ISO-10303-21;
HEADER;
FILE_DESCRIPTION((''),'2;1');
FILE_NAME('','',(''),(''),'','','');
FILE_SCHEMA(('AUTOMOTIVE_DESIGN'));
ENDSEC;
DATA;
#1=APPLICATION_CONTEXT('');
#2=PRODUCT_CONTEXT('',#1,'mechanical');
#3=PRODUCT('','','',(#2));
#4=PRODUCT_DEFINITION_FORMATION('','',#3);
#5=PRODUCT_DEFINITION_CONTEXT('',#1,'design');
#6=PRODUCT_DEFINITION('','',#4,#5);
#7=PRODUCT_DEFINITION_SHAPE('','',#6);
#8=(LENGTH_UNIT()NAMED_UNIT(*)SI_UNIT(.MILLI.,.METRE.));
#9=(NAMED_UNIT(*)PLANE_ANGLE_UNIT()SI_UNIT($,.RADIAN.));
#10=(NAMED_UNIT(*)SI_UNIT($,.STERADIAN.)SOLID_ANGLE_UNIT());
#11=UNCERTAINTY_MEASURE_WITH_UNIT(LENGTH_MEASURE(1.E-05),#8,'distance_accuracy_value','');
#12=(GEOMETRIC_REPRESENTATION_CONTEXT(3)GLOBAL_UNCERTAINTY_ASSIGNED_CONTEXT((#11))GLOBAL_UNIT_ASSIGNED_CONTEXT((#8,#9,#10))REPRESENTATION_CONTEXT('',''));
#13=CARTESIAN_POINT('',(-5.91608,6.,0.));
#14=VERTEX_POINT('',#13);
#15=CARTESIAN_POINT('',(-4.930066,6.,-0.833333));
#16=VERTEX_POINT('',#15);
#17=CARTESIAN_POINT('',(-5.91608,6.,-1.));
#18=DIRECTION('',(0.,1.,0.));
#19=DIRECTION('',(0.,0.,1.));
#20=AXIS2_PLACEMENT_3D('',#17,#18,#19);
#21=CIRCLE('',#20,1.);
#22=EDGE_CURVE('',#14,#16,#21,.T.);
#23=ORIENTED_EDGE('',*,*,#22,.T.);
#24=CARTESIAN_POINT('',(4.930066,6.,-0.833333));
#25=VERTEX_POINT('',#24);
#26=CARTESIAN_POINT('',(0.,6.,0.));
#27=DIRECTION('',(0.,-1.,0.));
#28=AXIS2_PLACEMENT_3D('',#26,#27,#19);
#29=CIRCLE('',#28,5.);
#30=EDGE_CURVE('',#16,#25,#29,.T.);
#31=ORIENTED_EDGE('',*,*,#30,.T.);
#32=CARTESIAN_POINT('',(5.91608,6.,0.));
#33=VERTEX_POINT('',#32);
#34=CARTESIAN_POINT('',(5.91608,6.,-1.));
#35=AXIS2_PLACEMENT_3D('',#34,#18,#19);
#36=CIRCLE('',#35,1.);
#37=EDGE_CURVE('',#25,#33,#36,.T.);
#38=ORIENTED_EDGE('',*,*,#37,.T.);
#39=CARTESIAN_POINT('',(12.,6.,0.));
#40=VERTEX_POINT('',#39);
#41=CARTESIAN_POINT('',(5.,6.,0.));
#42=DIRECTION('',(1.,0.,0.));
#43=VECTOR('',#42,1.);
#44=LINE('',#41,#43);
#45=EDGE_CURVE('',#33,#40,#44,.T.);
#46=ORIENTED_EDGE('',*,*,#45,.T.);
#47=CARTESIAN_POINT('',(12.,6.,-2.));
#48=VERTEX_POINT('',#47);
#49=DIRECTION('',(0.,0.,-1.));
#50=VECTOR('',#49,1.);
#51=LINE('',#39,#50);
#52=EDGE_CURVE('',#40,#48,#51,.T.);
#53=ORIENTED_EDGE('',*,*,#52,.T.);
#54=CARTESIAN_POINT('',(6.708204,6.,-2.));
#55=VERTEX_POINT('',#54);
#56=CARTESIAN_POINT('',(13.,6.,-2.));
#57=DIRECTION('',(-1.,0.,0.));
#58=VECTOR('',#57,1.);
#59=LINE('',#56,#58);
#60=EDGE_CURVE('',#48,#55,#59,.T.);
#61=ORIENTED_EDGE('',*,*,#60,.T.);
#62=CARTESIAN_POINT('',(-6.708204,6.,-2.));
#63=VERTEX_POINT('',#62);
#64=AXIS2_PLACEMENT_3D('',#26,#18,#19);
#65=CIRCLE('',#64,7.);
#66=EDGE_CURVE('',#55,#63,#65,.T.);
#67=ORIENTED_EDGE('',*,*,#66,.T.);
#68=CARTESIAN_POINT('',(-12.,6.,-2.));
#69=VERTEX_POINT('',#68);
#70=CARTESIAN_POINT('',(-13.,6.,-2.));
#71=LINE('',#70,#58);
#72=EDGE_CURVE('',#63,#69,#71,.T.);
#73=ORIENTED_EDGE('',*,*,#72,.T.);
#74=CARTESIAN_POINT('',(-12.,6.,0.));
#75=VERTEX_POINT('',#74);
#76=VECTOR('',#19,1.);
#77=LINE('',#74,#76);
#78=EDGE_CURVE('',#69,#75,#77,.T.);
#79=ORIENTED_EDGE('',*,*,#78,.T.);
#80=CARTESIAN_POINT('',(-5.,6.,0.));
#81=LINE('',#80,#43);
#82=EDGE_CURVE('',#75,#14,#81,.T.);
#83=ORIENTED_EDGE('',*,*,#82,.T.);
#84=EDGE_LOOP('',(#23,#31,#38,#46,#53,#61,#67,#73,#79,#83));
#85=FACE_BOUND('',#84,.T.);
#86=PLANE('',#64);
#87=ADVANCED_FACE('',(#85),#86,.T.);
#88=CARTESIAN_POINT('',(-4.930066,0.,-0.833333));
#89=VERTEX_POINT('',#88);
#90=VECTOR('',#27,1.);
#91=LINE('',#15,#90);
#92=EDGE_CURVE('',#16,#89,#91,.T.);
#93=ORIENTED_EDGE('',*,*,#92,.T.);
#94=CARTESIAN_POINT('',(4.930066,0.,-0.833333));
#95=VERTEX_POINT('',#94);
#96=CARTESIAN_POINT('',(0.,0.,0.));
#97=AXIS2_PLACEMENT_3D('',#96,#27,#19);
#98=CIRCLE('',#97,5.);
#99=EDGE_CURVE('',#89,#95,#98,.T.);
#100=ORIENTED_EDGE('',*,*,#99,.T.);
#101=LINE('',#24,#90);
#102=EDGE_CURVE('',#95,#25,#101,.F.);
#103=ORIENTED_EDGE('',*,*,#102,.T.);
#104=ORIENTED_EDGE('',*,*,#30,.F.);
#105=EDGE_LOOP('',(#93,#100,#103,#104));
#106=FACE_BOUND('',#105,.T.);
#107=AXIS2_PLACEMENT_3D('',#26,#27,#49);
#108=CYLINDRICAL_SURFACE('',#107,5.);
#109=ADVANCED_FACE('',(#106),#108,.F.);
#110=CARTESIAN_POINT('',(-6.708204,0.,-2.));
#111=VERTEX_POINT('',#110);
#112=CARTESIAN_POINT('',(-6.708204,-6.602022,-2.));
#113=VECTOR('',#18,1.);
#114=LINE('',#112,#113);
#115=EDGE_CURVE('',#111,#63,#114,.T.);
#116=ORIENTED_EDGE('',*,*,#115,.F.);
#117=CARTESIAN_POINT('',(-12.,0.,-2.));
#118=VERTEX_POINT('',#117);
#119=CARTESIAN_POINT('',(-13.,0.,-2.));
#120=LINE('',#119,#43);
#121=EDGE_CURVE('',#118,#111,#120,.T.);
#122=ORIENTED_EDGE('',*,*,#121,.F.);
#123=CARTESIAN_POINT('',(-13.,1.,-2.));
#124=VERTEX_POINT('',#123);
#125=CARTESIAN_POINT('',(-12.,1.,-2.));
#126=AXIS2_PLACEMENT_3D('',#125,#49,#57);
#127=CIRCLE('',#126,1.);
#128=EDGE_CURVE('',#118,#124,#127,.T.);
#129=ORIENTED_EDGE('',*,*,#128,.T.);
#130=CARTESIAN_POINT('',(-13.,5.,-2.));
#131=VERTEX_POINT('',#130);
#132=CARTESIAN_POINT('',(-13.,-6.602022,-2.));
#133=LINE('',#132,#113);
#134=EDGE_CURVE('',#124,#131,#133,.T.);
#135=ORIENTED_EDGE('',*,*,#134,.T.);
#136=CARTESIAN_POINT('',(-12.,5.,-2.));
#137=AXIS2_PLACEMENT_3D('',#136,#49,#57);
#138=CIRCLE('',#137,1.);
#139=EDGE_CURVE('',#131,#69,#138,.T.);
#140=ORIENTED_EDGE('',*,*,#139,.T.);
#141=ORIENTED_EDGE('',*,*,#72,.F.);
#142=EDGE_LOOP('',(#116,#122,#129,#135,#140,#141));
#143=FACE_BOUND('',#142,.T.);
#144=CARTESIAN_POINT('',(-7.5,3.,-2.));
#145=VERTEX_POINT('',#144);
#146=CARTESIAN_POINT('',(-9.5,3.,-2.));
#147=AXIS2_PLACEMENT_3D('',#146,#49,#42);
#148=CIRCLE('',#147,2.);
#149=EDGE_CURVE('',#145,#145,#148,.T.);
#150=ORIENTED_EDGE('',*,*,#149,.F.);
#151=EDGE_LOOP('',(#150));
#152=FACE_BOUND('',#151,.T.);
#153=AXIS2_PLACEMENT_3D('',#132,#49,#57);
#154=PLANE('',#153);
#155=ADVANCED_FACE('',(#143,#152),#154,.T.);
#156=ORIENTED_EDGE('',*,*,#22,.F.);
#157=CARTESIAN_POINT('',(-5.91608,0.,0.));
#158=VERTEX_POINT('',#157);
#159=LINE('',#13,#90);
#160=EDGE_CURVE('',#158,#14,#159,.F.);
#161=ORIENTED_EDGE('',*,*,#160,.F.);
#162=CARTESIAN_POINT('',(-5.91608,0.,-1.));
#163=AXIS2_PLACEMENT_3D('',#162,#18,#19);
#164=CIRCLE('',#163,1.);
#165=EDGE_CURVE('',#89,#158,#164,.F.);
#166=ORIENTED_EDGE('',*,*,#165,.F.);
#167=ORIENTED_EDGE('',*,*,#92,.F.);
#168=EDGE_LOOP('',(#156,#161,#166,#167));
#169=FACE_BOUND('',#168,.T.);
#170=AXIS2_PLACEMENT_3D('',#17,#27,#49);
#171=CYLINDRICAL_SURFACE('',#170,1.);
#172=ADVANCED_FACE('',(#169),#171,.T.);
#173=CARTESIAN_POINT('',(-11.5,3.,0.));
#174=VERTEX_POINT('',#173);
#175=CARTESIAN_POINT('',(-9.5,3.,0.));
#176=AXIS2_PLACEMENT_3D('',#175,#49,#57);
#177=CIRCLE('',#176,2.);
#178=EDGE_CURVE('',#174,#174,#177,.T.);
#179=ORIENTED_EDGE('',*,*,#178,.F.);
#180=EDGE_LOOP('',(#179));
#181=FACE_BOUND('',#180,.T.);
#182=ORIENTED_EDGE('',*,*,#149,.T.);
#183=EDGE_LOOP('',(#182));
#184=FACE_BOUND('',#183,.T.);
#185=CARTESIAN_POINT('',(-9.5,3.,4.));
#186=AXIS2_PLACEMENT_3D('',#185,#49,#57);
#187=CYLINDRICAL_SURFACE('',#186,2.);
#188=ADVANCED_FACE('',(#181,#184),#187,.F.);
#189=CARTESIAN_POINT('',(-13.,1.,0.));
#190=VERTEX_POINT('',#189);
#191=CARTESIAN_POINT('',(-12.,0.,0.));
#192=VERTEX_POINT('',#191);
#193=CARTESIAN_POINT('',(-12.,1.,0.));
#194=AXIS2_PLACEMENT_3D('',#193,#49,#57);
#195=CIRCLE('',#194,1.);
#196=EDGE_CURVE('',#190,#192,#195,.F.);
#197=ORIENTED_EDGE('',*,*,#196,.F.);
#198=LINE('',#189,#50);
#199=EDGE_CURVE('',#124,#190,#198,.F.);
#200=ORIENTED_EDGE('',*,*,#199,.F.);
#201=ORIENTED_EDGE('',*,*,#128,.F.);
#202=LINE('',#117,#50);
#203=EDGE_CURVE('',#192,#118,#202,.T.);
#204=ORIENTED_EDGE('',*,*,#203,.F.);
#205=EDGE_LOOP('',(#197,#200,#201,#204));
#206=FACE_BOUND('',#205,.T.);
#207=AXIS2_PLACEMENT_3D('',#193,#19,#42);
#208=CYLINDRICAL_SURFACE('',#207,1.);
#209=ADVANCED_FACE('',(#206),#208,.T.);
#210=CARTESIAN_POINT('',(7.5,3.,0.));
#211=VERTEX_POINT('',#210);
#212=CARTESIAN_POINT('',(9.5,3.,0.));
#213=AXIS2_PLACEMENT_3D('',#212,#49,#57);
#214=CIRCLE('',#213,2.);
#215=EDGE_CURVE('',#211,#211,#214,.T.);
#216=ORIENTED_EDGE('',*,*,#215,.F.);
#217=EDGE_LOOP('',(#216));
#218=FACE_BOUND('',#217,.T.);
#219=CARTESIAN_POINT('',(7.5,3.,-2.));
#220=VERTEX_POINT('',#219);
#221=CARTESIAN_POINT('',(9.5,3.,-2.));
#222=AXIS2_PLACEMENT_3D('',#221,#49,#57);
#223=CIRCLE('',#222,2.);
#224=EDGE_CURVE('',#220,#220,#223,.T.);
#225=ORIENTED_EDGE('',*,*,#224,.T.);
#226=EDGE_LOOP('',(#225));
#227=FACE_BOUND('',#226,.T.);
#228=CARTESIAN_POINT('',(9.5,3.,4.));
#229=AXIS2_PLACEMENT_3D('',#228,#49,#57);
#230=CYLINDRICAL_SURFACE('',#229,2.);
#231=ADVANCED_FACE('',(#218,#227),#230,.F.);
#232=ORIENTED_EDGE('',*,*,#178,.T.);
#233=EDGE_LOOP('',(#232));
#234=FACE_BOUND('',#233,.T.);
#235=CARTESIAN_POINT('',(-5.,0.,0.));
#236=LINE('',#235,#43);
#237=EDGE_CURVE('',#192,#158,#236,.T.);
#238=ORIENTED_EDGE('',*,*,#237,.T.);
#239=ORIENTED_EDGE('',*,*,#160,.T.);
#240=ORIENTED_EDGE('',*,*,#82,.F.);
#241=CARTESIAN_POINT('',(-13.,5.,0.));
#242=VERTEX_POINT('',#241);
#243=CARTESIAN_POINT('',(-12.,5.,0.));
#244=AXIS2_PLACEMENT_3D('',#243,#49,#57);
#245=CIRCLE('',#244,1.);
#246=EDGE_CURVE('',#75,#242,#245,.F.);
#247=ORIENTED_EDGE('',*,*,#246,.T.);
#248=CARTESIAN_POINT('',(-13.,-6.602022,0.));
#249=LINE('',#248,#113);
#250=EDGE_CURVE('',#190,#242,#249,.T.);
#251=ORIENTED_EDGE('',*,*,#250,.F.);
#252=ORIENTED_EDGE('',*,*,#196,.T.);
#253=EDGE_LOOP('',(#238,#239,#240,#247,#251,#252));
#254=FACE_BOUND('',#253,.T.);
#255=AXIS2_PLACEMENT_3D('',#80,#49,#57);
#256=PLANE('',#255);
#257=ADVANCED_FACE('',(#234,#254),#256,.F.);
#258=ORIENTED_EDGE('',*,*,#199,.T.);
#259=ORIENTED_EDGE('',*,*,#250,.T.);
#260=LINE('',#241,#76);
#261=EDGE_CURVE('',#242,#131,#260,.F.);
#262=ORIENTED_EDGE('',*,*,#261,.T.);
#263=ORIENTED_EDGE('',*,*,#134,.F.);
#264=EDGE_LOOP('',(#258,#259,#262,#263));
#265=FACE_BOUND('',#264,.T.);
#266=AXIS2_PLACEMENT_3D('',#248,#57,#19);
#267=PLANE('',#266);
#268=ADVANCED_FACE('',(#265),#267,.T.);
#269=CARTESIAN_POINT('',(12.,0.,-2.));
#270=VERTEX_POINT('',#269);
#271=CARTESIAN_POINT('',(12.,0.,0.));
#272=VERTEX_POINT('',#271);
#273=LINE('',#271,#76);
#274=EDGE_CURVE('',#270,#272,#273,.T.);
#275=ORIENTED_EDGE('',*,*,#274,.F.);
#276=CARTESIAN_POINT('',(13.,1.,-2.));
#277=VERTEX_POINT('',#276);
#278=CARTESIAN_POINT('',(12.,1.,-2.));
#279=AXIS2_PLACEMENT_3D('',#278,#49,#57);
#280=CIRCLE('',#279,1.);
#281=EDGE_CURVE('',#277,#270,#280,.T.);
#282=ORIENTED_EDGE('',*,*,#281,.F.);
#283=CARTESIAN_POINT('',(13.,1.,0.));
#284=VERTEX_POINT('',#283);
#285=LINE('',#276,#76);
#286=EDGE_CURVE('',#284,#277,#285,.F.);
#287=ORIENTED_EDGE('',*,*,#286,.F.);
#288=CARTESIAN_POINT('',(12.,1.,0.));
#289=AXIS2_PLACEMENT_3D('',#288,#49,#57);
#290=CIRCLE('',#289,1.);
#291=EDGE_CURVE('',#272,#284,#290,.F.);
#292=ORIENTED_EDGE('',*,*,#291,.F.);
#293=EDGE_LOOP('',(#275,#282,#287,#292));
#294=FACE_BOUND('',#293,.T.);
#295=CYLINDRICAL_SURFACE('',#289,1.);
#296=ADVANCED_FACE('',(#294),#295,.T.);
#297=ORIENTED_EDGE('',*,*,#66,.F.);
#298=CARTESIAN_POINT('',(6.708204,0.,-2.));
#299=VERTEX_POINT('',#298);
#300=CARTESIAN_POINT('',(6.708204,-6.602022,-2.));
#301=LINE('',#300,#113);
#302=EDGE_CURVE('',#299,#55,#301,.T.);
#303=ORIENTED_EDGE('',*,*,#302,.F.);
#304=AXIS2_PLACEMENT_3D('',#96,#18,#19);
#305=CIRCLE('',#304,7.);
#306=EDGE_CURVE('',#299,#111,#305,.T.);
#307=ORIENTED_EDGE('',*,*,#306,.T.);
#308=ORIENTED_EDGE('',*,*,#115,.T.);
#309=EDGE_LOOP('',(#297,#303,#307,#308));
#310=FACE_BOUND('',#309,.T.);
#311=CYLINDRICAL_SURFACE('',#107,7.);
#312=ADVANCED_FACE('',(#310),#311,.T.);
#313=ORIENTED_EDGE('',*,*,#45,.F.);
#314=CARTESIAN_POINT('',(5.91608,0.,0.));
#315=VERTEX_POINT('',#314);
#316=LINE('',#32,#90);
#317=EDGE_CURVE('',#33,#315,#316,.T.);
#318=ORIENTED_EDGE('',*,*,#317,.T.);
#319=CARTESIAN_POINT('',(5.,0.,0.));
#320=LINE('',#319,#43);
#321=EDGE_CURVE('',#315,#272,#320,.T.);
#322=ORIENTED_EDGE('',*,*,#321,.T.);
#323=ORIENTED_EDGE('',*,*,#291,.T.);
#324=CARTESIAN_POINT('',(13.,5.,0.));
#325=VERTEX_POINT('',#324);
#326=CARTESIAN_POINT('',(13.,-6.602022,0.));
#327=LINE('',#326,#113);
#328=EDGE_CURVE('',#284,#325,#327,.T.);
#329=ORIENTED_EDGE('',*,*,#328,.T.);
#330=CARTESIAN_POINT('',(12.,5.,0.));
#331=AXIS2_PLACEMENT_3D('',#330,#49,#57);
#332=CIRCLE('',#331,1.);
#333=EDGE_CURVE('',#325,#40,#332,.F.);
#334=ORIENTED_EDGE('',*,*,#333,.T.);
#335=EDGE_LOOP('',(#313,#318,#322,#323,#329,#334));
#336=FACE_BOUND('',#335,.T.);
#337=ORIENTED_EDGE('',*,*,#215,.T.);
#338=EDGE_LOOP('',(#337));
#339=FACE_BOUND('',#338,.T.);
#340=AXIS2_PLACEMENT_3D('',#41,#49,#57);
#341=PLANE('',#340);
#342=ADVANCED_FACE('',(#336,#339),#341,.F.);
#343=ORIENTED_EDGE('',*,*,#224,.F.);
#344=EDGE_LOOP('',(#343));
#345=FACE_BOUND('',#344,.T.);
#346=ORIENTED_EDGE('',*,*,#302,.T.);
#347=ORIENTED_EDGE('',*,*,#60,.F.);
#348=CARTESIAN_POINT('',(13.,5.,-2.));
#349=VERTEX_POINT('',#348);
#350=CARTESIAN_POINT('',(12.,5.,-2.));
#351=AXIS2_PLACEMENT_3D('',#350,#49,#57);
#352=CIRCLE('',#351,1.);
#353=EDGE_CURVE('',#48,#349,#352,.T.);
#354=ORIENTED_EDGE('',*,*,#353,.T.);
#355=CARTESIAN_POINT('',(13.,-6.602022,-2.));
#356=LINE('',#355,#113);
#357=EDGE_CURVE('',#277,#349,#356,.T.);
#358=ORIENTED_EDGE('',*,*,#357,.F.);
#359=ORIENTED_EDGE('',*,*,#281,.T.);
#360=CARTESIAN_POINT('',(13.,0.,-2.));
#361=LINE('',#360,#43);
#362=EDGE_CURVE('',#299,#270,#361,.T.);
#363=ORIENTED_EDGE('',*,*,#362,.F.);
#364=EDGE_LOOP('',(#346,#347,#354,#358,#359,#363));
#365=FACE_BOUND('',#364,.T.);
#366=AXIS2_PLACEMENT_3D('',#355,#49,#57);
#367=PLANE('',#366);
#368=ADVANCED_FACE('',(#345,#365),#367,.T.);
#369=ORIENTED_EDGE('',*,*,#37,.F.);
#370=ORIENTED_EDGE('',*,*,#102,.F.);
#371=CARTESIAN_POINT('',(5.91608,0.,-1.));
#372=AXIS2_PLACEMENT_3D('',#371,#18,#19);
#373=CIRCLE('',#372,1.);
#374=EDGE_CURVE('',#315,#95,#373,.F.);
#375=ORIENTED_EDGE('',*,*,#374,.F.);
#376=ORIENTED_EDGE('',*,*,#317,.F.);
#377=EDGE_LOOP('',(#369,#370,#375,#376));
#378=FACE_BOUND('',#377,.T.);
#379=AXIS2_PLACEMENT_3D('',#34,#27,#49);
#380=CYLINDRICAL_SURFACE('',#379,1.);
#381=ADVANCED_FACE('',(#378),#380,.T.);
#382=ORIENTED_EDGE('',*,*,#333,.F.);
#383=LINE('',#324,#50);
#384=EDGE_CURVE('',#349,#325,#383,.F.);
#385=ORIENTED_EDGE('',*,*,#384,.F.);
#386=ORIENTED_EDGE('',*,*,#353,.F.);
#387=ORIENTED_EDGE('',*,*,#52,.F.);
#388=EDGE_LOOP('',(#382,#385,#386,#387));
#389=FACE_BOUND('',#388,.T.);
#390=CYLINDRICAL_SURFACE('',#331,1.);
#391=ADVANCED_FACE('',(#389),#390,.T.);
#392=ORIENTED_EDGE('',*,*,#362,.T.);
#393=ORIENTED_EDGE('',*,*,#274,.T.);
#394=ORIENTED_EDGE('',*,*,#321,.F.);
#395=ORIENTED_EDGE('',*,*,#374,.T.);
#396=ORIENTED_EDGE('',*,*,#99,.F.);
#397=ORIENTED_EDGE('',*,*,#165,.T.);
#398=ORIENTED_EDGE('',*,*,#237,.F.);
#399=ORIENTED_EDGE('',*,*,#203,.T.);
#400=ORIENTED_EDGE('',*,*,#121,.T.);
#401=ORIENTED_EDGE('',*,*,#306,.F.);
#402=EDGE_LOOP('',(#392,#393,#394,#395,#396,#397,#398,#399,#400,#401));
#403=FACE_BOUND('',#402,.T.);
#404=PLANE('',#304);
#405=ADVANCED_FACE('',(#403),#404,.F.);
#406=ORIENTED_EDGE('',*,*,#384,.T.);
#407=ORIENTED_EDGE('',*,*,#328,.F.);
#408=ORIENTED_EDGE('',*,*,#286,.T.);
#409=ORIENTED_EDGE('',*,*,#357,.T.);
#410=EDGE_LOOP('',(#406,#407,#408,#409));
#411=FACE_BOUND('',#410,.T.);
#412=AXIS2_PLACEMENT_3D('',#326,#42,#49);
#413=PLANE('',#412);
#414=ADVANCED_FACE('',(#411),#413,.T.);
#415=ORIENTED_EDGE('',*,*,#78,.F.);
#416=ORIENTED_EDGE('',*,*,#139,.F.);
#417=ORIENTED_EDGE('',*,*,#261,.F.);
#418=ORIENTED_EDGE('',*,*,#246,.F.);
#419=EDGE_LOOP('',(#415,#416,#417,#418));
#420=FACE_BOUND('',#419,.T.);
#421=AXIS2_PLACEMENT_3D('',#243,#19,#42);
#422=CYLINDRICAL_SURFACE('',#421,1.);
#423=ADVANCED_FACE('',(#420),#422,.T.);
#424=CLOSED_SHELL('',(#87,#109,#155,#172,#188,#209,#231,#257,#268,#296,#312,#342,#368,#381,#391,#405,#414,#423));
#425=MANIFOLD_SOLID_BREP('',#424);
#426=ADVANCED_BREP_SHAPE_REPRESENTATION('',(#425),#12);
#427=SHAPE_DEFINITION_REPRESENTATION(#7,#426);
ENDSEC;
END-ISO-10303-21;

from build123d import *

# Parameters (mm, degrees)
BOSS_EXTRUDE1_DEPTH = 6
BOSS_EXTRUDE2_DEPTH = 6
SKETCH3_R           = 2
CUT_EXTRUDE1_DEPTH  = 6
FILLET1_R           = 1


with BuildPart() as part:
    # Sketch1 → Boss-Extrude1 (new body)
    with BuildSketch(Plane(origin=(0, 0, 0), x_dir=(1, 0, 0), z_dir=(0, 1, 0))):
        with BuildLine():
            Line((5, 0), (7, 0))
            ThreePointArc((7, 0), (0, 7), (-7, 0))
            Line((-7, 0), (-5, 0))
            ThreePointArc((-5, 0), (0, 5), (5, 0))
        make_face()
    extrude(amount=BOSS_EXTRUDE1_DEPTH)

    # Sketch2 → Boss-Extrude2 (add)
    with BuildSketch(Plane(origin=(0, 6, 0), x_dir=(1, 0, 0), z_dir=(0, 1, 0))):
        Polygon((7, 0), (13, 0), (13, 2), (6.708203932, 2), align=None)
        Polygon((-6.708203932, 2), (-7, 0), (-13, 0), (-13, 2), align=None)
    extrude(amount=-BOSS_EXTRUDE2_DEPTH)

    # Sketch3 → Cut-Extrude1 (cut)
    with BuildSketch(Plane(origin=(0, 0, -2), x_dir=(-1, 0, 0), z_dir=(0, 0, -1))):
        with Locations((-9.5, 3)):
            Circle(SKETCH3_R)
        with Locations((9.5, 3)):
            Circle(SKETCH3_R)
    extrude(amount=-CUT_EXTRUDE1_DEPTH, mode=Mode.SUBTRACT)

    # Fillet1
    fillet1_edges = [part.edges().sort_by_distance(p)[0] for p in [
        (13, 6, -1),
        (13, 0, -1),
        (-13, 6, -1),
        (-13, 0, -1),
        (-5, 3, 0),
        (5, 3, 0),
    ]]
    fillet(fillet1_edges, radius=FILLET1_R)


solid = part.part
